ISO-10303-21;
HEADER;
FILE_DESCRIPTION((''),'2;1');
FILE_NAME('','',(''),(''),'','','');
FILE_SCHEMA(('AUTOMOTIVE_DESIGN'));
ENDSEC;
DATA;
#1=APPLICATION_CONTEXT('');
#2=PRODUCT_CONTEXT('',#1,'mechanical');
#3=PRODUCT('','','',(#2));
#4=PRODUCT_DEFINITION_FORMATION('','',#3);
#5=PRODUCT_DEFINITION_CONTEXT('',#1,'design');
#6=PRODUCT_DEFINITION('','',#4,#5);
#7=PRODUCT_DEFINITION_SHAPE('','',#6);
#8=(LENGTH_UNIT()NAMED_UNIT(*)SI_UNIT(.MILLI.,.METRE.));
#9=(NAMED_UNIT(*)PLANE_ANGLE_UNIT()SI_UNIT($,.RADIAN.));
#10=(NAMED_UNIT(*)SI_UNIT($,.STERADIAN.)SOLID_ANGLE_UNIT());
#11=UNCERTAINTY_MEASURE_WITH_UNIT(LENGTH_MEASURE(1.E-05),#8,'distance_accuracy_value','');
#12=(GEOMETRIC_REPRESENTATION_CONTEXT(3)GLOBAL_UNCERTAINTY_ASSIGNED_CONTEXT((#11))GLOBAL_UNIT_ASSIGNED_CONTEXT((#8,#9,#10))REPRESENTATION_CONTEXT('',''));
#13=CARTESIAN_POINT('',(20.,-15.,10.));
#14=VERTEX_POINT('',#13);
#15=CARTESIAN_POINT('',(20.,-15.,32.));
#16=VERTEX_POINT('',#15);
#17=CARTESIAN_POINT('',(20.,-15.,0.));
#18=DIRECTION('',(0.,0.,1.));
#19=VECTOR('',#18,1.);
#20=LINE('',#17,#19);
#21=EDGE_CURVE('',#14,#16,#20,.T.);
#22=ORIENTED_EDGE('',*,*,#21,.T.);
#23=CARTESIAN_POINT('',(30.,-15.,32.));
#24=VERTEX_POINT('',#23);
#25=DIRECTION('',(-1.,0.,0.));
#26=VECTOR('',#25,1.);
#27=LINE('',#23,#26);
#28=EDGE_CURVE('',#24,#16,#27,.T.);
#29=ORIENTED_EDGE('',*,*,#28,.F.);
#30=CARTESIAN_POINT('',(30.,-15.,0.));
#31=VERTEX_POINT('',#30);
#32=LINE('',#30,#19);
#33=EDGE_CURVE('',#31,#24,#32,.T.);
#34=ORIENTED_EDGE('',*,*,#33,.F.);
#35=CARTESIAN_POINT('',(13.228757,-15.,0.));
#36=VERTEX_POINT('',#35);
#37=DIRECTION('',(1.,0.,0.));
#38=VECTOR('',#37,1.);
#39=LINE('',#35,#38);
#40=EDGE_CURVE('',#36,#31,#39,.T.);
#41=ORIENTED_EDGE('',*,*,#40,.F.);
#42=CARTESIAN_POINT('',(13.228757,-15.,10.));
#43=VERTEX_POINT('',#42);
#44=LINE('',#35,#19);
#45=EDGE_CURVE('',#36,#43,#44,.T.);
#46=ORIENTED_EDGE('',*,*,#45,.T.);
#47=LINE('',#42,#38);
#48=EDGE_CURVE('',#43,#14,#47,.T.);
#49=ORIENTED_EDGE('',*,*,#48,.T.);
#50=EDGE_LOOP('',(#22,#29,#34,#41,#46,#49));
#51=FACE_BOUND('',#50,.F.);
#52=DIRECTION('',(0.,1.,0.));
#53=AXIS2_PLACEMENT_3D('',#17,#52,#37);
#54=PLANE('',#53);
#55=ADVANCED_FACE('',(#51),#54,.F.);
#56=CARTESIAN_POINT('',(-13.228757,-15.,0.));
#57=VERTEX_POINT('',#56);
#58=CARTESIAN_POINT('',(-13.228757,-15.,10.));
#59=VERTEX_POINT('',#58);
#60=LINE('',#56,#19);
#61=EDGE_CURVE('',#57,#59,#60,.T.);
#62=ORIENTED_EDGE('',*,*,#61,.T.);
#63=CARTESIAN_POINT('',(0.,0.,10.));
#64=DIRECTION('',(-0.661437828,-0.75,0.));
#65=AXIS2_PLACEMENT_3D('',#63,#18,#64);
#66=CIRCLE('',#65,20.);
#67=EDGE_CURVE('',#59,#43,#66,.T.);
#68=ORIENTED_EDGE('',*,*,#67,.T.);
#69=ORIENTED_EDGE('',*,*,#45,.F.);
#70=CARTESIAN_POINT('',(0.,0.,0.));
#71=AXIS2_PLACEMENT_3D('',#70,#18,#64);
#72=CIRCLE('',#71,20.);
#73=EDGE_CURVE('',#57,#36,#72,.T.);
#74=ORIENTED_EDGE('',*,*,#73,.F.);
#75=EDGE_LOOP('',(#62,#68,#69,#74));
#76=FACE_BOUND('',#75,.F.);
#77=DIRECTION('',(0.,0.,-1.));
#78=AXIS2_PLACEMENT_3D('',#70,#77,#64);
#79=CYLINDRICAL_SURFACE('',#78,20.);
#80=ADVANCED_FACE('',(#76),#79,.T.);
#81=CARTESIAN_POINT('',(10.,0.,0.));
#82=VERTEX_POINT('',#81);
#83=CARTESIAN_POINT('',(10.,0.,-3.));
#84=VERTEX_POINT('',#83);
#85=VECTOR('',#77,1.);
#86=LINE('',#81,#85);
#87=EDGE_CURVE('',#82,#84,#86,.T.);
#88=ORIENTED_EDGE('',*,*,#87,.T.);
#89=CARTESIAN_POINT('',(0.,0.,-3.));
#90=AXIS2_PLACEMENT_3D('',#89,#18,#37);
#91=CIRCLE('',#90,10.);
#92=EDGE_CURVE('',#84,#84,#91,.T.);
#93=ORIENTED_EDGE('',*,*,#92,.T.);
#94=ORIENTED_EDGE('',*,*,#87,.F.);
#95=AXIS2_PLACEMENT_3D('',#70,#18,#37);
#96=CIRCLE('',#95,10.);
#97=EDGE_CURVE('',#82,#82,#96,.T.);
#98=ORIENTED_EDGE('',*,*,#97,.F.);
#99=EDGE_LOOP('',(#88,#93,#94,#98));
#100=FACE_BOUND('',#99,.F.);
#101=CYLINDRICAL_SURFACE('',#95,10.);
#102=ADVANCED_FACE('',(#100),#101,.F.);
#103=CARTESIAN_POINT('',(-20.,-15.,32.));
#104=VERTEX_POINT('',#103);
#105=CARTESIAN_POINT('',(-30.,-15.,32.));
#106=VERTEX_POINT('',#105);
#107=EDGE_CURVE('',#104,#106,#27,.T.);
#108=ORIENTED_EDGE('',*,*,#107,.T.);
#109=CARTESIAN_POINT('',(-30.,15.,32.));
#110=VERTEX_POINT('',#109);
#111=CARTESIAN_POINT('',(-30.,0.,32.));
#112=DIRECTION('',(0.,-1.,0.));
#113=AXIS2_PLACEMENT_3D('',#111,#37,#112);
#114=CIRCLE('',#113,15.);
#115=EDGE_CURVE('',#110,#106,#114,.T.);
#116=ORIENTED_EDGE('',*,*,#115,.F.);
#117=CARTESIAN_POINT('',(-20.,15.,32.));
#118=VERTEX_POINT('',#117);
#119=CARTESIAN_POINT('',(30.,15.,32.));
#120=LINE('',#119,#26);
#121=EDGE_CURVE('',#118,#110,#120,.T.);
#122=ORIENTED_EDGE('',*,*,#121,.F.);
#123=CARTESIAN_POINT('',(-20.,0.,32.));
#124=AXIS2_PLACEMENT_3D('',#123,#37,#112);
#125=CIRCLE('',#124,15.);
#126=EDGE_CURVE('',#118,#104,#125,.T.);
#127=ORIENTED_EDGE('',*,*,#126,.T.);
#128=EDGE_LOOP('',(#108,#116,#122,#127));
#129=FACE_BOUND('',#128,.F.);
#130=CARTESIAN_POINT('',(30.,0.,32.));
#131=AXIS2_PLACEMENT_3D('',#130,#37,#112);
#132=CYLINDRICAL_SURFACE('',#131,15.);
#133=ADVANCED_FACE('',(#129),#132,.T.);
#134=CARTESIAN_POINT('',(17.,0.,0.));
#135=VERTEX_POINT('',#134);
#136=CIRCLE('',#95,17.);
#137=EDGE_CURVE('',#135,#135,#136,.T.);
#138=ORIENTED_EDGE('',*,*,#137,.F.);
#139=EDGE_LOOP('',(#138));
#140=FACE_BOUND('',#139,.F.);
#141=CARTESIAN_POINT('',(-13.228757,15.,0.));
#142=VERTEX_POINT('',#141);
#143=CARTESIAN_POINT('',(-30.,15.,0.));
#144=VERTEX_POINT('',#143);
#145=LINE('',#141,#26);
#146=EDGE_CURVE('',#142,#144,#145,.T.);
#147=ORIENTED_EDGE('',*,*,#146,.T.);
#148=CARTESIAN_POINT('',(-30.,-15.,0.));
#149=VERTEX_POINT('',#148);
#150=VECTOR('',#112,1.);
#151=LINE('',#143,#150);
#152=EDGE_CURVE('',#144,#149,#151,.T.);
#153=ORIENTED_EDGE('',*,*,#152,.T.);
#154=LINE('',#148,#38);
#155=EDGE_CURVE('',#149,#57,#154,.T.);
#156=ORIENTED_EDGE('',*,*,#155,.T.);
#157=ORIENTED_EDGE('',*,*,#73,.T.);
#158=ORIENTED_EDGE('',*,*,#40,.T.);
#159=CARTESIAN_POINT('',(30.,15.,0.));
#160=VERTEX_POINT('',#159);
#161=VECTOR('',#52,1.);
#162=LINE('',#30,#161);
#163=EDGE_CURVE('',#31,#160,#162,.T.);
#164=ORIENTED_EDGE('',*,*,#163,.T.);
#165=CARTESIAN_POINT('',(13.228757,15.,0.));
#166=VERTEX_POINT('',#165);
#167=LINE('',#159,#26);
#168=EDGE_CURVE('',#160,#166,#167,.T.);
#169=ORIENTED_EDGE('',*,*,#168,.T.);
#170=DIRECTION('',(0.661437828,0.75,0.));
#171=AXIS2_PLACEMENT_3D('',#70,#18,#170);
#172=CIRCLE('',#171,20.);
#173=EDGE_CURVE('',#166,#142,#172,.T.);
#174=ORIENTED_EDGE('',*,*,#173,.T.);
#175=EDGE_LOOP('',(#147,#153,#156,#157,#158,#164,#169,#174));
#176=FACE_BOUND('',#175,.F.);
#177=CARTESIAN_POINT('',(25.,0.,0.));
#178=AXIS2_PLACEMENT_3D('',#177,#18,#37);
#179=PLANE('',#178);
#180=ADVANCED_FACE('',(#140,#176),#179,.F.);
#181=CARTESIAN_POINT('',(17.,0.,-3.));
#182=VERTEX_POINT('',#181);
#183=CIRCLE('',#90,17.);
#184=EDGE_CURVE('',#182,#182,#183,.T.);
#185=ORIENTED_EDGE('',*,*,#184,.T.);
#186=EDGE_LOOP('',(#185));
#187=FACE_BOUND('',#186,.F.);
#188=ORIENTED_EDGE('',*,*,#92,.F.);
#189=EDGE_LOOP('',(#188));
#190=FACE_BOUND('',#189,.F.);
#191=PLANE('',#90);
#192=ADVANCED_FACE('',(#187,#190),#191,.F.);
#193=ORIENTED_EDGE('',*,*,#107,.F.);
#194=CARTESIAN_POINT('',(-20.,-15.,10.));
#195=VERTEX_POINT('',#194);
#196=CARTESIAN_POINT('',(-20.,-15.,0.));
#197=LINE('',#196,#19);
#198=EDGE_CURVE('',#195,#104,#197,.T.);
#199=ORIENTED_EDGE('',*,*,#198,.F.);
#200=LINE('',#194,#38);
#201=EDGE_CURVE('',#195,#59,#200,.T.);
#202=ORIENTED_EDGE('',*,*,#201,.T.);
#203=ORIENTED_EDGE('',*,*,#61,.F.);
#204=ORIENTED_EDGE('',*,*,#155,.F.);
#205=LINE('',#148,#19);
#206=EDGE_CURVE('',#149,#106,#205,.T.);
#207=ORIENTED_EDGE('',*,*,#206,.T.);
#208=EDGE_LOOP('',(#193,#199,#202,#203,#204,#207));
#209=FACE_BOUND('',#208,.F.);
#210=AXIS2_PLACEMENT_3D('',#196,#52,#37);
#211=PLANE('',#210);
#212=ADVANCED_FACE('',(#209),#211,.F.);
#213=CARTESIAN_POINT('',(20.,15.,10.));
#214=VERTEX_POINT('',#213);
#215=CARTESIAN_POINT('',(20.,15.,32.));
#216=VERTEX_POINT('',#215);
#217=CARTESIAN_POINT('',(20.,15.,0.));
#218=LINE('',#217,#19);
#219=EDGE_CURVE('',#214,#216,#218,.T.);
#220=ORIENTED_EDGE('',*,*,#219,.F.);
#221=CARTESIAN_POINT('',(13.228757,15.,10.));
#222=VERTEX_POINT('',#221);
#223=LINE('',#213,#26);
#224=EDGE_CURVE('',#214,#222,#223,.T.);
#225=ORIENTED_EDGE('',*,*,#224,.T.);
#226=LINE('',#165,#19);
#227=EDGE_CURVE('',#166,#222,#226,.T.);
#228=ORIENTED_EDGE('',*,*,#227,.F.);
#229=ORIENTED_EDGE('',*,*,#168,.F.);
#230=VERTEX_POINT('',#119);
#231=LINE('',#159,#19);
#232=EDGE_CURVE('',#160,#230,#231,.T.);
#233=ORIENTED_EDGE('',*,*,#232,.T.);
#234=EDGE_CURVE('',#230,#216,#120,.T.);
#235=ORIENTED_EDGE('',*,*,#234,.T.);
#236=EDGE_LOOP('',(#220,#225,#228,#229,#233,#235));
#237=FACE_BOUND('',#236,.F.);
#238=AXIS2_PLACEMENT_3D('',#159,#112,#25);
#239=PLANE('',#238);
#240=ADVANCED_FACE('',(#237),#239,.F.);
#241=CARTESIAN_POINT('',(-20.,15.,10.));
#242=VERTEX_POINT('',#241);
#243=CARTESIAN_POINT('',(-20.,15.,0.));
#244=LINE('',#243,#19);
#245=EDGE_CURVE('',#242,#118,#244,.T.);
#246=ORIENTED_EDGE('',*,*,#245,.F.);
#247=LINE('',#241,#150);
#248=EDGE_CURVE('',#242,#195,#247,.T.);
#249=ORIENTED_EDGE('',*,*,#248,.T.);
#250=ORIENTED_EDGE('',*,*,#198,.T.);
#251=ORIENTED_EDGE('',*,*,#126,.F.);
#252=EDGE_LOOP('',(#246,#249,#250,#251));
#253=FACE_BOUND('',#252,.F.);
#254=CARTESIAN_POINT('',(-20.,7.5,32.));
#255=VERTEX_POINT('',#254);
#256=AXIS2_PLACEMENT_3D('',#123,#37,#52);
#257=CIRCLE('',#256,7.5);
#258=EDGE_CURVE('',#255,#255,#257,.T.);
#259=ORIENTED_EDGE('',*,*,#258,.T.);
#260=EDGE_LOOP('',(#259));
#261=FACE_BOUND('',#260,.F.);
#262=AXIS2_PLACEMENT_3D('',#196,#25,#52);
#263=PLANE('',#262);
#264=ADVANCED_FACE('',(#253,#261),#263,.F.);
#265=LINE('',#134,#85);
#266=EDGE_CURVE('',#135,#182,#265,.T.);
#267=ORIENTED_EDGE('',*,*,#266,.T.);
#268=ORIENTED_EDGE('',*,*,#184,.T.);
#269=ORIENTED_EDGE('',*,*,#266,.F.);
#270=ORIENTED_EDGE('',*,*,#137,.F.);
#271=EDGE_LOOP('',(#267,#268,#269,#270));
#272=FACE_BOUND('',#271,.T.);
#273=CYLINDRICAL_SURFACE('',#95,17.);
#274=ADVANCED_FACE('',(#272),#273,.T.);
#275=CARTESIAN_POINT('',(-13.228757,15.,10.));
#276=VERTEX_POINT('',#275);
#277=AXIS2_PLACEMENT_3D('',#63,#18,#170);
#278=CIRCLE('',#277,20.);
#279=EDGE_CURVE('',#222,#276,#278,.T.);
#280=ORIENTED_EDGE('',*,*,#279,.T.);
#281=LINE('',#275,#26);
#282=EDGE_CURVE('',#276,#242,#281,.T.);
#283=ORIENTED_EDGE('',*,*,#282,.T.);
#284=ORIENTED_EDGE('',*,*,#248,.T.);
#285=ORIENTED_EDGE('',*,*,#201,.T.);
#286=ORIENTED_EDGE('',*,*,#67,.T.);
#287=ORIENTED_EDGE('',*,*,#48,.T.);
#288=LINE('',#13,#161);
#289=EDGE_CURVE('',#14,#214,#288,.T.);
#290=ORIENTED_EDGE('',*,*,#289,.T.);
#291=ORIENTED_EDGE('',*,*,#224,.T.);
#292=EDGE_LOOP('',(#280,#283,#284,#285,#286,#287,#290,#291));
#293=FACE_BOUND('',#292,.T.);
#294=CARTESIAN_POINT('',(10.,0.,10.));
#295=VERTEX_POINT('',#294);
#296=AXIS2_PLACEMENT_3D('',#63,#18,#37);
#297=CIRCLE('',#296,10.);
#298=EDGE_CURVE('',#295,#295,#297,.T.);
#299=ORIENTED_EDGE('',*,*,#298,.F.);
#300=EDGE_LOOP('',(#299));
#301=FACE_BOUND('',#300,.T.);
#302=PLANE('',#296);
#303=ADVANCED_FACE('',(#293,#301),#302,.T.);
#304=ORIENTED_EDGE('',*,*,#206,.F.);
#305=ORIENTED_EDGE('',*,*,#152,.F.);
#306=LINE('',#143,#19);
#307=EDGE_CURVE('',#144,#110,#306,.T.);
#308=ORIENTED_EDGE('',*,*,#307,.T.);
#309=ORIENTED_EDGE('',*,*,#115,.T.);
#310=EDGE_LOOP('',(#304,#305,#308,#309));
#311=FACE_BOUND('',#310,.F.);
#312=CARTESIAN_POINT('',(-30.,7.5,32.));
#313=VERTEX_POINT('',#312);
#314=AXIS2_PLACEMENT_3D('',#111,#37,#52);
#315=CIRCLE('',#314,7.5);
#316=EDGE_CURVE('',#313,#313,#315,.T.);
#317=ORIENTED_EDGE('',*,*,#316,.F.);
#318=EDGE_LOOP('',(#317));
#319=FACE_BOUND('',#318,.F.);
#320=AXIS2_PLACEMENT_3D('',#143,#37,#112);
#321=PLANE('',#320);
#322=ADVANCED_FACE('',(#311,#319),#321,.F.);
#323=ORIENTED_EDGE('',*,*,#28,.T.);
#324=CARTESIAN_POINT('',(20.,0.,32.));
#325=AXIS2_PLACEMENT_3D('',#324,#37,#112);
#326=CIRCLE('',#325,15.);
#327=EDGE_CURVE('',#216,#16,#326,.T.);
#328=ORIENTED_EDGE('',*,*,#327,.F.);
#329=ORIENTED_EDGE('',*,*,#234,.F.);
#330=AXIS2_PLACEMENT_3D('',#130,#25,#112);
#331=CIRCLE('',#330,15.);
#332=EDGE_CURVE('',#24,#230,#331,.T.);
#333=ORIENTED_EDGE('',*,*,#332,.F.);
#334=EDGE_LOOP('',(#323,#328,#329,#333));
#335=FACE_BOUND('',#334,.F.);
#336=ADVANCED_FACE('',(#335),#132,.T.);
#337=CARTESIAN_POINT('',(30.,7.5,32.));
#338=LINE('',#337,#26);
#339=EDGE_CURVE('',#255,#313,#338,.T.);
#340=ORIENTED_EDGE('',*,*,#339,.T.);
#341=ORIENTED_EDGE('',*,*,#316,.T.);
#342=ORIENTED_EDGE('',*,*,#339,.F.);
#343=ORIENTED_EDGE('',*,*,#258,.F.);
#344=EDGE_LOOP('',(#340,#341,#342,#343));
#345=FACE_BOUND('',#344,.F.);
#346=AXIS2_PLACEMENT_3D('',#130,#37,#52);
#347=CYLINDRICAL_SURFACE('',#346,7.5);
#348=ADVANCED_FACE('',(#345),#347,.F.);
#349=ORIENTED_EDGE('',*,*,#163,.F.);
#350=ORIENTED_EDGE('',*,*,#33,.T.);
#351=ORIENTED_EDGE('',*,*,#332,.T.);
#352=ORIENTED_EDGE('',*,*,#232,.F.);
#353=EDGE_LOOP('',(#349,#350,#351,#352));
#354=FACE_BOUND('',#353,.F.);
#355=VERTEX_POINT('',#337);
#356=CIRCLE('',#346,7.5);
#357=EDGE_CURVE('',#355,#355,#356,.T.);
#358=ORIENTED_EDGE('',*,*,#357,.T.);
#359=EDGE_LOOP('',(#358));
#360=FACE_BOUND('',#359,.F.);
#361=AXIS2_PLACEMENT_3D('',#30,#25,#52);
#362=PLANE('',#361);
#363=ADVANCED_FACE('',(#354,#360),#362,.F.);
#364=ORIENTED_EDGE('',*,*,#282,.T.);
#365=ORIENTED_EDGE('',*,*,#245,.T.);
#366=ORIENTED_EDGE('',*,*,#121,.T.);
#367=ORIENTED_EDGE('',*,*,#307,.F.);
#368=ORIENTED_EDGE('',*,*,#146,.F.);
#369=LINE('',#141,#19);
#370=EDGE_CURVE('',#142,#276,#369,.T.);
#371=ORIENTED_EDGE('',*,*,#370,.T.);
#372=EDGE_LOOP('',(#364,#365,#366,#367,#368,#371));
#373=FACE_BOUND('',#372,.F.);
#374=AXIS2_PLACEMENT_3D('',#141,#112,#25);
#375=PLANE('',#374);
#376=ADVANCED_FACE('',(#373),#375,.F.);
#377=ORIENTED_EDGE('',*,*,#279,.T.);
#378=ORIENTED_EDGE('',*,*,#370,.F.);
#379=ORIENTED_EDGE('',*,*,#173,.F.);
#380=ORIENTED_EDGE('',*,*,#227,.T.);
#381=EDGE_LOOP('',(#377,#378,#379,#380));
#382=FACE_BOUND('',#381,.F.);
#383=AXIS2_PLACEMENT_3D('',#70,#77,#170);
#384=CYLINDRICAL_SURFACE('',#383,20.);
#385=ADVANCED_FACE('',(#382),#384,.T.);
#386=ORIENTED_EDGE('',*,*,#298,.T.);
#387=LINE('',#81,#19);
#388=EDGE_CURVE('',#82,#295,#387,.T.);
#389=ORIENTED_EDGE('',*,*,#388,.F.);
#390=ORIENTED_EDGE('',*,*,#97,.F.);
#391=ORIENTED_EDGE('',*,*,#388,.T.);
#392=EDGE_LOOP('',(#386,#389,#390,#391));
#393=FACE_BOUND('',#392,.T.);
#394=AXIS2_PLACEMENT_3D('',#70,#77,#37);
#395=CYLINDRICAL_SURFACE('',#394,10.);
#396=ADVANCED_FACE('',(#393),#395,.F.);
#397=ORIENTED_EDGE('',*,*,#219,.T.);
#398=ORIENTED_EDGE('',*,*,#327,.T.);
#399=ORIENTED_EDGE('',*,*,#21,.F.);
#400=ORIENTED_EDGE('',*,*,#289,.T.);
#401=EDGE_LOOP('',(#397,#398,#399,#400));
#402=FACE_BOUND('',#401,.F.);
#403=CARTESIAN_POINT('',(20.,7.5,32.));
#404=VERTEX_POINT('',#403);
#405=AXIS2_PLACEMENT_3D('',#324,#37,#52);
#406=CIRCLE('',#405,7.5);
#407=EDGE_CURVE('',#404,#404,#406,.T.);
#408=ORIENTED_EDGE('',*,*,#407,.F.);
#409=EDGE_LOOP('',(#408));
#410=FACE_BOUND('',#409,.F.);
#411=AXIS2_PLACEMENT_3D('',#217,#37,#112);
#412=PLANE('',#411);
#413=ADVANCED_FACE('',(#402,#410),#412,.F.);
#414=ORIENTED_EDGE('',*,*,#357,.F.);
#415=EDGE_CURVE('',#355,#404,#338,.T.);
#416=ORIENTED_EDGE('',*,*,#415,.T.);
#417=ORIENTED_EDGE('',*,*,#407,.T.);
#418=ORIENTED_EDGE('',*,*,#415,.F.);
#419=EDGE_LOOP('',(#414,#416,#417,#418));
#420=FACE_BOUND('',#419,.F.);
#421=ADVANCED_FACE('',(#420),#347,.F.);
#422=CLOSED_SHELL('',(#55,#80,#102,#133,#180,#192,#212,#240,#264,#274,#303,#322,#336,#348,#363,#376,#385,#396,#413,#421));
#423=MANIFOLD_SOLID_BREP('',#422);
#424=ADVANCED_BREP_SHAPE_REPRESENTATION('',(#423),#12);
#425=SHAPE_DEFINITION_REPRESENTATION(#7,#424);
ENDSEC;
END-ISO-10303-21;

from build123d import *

# Parameters (mm, degrees)
F0_R     = 10
F1_DEPTH = 10
F2_DEPTH = 47.5
F3_R     = 7.5
F4_DEPTH = 60.001
F5_R     = 17
F5_R_2   = 10
F6_DEPTH = 3


with BuildPart() as f1:
    # F0 (on Top) → F1 (new body)
    with BuildSketch(Plane.XY):
        with BuildLine():
            ThreePointArc((13.2287565553, -15), (18.2287565553, -8.2287565553), (20, 0))
            ThreePointArc((20, 0), (18.2287565553, 8.2287565553), (13.2287565553, 15))
            ThreePointArc((13.2287565553, 15), (0, 20), (-13.2287565553, 15))
            ThreePointArc((-13.2287565553, 15), (-18.2287565565, 8.2287565528), (-20, -5.5e-09))
            ThreePointArc((-20, -5.5e-09), (-18.2287565542, -8.2287565578), (-13.2287565553, -15))
            ThreePointArc((-13.2287565553, -15), (0, -20), (13.2287565553, -15))
        make_face()
        Circle(F0_R, mode=Mode.SUBTRACT)
        with BuildLine():
            ThreePointArc((13.2287565553, 15), (18.2287565553, 8.2287565553), (20, 0))
            Line((20, 0), (20, 15))
            Line((20, 15), (13.2287565553, 15))
        make_face()
        with BuildLine():
            Line((20, -15), (20, 0))
            ThreePointArc((20, 0), (18.2287565553, -8.2287565553), (13.2287565553, -15))
            Line((13.2287565553, -15), (20, -15))
        make_face()
        with BuildLine():
            Line((-20, -15), (-13.2287565553, -15))
            ThreePointArc((-13.2287565553, -15), (-18.2287565542, -8.2287565578), (-20, -5.5e-09))
            Line((-20, -5.5e-09), (-20, -15))
        make_face()
        with BuildLine():
            ThreePointArc((-20, -5.5e-09), (-18.2287565565, 8.2287565528), (-13.2287565553, 15))
            Line((-13.2287565553, 15), (-20, 15))
            Line((-20, 15), (-20, -5.5e-09))
        make_face()
    extrude(amount=F1_DEPTH)

    # F0 (on Top) → F2 (join)
    with BuildSketch(Plane.XY):
        Polygon((20, 15), (20, 0), (20, -15), (30, -15), (30, 15), align=None)
        Polygon((-20, -15), (-20, -5.5e-09), (-20, 15), (-30, 15), (-30, -15), align=None)
    extrude(amount=F2_DEPTH)

    # F3 (on face) → F4 (cut, through all)
    with BuildSketch(Plane.YZ.offset(30)):
        with BuildLine():
            Line((15, 47.5), (-15, 47.5))
            Line((-15, 47.5), (-15, 32))
            ThreePointArc((-15, 32), (0, 47), (15, 32))
            Line((15, 32), (15, 47.5))
        make_face()
        with Locations((0, 32)):
            Circle(F3_R)
    extrude(amount=-F4_DEPTH, mode=Mode.SUBTRACT)

    # F5 (on face) → F6 (join)
    with BuildSketch(Plane.XY):
        Circle(F5_R)
        Circle(F5_R_2, mode=Mode.SUBTRACT)
    extrude(amount=-F6_DEPTH)


solid = f1.part
